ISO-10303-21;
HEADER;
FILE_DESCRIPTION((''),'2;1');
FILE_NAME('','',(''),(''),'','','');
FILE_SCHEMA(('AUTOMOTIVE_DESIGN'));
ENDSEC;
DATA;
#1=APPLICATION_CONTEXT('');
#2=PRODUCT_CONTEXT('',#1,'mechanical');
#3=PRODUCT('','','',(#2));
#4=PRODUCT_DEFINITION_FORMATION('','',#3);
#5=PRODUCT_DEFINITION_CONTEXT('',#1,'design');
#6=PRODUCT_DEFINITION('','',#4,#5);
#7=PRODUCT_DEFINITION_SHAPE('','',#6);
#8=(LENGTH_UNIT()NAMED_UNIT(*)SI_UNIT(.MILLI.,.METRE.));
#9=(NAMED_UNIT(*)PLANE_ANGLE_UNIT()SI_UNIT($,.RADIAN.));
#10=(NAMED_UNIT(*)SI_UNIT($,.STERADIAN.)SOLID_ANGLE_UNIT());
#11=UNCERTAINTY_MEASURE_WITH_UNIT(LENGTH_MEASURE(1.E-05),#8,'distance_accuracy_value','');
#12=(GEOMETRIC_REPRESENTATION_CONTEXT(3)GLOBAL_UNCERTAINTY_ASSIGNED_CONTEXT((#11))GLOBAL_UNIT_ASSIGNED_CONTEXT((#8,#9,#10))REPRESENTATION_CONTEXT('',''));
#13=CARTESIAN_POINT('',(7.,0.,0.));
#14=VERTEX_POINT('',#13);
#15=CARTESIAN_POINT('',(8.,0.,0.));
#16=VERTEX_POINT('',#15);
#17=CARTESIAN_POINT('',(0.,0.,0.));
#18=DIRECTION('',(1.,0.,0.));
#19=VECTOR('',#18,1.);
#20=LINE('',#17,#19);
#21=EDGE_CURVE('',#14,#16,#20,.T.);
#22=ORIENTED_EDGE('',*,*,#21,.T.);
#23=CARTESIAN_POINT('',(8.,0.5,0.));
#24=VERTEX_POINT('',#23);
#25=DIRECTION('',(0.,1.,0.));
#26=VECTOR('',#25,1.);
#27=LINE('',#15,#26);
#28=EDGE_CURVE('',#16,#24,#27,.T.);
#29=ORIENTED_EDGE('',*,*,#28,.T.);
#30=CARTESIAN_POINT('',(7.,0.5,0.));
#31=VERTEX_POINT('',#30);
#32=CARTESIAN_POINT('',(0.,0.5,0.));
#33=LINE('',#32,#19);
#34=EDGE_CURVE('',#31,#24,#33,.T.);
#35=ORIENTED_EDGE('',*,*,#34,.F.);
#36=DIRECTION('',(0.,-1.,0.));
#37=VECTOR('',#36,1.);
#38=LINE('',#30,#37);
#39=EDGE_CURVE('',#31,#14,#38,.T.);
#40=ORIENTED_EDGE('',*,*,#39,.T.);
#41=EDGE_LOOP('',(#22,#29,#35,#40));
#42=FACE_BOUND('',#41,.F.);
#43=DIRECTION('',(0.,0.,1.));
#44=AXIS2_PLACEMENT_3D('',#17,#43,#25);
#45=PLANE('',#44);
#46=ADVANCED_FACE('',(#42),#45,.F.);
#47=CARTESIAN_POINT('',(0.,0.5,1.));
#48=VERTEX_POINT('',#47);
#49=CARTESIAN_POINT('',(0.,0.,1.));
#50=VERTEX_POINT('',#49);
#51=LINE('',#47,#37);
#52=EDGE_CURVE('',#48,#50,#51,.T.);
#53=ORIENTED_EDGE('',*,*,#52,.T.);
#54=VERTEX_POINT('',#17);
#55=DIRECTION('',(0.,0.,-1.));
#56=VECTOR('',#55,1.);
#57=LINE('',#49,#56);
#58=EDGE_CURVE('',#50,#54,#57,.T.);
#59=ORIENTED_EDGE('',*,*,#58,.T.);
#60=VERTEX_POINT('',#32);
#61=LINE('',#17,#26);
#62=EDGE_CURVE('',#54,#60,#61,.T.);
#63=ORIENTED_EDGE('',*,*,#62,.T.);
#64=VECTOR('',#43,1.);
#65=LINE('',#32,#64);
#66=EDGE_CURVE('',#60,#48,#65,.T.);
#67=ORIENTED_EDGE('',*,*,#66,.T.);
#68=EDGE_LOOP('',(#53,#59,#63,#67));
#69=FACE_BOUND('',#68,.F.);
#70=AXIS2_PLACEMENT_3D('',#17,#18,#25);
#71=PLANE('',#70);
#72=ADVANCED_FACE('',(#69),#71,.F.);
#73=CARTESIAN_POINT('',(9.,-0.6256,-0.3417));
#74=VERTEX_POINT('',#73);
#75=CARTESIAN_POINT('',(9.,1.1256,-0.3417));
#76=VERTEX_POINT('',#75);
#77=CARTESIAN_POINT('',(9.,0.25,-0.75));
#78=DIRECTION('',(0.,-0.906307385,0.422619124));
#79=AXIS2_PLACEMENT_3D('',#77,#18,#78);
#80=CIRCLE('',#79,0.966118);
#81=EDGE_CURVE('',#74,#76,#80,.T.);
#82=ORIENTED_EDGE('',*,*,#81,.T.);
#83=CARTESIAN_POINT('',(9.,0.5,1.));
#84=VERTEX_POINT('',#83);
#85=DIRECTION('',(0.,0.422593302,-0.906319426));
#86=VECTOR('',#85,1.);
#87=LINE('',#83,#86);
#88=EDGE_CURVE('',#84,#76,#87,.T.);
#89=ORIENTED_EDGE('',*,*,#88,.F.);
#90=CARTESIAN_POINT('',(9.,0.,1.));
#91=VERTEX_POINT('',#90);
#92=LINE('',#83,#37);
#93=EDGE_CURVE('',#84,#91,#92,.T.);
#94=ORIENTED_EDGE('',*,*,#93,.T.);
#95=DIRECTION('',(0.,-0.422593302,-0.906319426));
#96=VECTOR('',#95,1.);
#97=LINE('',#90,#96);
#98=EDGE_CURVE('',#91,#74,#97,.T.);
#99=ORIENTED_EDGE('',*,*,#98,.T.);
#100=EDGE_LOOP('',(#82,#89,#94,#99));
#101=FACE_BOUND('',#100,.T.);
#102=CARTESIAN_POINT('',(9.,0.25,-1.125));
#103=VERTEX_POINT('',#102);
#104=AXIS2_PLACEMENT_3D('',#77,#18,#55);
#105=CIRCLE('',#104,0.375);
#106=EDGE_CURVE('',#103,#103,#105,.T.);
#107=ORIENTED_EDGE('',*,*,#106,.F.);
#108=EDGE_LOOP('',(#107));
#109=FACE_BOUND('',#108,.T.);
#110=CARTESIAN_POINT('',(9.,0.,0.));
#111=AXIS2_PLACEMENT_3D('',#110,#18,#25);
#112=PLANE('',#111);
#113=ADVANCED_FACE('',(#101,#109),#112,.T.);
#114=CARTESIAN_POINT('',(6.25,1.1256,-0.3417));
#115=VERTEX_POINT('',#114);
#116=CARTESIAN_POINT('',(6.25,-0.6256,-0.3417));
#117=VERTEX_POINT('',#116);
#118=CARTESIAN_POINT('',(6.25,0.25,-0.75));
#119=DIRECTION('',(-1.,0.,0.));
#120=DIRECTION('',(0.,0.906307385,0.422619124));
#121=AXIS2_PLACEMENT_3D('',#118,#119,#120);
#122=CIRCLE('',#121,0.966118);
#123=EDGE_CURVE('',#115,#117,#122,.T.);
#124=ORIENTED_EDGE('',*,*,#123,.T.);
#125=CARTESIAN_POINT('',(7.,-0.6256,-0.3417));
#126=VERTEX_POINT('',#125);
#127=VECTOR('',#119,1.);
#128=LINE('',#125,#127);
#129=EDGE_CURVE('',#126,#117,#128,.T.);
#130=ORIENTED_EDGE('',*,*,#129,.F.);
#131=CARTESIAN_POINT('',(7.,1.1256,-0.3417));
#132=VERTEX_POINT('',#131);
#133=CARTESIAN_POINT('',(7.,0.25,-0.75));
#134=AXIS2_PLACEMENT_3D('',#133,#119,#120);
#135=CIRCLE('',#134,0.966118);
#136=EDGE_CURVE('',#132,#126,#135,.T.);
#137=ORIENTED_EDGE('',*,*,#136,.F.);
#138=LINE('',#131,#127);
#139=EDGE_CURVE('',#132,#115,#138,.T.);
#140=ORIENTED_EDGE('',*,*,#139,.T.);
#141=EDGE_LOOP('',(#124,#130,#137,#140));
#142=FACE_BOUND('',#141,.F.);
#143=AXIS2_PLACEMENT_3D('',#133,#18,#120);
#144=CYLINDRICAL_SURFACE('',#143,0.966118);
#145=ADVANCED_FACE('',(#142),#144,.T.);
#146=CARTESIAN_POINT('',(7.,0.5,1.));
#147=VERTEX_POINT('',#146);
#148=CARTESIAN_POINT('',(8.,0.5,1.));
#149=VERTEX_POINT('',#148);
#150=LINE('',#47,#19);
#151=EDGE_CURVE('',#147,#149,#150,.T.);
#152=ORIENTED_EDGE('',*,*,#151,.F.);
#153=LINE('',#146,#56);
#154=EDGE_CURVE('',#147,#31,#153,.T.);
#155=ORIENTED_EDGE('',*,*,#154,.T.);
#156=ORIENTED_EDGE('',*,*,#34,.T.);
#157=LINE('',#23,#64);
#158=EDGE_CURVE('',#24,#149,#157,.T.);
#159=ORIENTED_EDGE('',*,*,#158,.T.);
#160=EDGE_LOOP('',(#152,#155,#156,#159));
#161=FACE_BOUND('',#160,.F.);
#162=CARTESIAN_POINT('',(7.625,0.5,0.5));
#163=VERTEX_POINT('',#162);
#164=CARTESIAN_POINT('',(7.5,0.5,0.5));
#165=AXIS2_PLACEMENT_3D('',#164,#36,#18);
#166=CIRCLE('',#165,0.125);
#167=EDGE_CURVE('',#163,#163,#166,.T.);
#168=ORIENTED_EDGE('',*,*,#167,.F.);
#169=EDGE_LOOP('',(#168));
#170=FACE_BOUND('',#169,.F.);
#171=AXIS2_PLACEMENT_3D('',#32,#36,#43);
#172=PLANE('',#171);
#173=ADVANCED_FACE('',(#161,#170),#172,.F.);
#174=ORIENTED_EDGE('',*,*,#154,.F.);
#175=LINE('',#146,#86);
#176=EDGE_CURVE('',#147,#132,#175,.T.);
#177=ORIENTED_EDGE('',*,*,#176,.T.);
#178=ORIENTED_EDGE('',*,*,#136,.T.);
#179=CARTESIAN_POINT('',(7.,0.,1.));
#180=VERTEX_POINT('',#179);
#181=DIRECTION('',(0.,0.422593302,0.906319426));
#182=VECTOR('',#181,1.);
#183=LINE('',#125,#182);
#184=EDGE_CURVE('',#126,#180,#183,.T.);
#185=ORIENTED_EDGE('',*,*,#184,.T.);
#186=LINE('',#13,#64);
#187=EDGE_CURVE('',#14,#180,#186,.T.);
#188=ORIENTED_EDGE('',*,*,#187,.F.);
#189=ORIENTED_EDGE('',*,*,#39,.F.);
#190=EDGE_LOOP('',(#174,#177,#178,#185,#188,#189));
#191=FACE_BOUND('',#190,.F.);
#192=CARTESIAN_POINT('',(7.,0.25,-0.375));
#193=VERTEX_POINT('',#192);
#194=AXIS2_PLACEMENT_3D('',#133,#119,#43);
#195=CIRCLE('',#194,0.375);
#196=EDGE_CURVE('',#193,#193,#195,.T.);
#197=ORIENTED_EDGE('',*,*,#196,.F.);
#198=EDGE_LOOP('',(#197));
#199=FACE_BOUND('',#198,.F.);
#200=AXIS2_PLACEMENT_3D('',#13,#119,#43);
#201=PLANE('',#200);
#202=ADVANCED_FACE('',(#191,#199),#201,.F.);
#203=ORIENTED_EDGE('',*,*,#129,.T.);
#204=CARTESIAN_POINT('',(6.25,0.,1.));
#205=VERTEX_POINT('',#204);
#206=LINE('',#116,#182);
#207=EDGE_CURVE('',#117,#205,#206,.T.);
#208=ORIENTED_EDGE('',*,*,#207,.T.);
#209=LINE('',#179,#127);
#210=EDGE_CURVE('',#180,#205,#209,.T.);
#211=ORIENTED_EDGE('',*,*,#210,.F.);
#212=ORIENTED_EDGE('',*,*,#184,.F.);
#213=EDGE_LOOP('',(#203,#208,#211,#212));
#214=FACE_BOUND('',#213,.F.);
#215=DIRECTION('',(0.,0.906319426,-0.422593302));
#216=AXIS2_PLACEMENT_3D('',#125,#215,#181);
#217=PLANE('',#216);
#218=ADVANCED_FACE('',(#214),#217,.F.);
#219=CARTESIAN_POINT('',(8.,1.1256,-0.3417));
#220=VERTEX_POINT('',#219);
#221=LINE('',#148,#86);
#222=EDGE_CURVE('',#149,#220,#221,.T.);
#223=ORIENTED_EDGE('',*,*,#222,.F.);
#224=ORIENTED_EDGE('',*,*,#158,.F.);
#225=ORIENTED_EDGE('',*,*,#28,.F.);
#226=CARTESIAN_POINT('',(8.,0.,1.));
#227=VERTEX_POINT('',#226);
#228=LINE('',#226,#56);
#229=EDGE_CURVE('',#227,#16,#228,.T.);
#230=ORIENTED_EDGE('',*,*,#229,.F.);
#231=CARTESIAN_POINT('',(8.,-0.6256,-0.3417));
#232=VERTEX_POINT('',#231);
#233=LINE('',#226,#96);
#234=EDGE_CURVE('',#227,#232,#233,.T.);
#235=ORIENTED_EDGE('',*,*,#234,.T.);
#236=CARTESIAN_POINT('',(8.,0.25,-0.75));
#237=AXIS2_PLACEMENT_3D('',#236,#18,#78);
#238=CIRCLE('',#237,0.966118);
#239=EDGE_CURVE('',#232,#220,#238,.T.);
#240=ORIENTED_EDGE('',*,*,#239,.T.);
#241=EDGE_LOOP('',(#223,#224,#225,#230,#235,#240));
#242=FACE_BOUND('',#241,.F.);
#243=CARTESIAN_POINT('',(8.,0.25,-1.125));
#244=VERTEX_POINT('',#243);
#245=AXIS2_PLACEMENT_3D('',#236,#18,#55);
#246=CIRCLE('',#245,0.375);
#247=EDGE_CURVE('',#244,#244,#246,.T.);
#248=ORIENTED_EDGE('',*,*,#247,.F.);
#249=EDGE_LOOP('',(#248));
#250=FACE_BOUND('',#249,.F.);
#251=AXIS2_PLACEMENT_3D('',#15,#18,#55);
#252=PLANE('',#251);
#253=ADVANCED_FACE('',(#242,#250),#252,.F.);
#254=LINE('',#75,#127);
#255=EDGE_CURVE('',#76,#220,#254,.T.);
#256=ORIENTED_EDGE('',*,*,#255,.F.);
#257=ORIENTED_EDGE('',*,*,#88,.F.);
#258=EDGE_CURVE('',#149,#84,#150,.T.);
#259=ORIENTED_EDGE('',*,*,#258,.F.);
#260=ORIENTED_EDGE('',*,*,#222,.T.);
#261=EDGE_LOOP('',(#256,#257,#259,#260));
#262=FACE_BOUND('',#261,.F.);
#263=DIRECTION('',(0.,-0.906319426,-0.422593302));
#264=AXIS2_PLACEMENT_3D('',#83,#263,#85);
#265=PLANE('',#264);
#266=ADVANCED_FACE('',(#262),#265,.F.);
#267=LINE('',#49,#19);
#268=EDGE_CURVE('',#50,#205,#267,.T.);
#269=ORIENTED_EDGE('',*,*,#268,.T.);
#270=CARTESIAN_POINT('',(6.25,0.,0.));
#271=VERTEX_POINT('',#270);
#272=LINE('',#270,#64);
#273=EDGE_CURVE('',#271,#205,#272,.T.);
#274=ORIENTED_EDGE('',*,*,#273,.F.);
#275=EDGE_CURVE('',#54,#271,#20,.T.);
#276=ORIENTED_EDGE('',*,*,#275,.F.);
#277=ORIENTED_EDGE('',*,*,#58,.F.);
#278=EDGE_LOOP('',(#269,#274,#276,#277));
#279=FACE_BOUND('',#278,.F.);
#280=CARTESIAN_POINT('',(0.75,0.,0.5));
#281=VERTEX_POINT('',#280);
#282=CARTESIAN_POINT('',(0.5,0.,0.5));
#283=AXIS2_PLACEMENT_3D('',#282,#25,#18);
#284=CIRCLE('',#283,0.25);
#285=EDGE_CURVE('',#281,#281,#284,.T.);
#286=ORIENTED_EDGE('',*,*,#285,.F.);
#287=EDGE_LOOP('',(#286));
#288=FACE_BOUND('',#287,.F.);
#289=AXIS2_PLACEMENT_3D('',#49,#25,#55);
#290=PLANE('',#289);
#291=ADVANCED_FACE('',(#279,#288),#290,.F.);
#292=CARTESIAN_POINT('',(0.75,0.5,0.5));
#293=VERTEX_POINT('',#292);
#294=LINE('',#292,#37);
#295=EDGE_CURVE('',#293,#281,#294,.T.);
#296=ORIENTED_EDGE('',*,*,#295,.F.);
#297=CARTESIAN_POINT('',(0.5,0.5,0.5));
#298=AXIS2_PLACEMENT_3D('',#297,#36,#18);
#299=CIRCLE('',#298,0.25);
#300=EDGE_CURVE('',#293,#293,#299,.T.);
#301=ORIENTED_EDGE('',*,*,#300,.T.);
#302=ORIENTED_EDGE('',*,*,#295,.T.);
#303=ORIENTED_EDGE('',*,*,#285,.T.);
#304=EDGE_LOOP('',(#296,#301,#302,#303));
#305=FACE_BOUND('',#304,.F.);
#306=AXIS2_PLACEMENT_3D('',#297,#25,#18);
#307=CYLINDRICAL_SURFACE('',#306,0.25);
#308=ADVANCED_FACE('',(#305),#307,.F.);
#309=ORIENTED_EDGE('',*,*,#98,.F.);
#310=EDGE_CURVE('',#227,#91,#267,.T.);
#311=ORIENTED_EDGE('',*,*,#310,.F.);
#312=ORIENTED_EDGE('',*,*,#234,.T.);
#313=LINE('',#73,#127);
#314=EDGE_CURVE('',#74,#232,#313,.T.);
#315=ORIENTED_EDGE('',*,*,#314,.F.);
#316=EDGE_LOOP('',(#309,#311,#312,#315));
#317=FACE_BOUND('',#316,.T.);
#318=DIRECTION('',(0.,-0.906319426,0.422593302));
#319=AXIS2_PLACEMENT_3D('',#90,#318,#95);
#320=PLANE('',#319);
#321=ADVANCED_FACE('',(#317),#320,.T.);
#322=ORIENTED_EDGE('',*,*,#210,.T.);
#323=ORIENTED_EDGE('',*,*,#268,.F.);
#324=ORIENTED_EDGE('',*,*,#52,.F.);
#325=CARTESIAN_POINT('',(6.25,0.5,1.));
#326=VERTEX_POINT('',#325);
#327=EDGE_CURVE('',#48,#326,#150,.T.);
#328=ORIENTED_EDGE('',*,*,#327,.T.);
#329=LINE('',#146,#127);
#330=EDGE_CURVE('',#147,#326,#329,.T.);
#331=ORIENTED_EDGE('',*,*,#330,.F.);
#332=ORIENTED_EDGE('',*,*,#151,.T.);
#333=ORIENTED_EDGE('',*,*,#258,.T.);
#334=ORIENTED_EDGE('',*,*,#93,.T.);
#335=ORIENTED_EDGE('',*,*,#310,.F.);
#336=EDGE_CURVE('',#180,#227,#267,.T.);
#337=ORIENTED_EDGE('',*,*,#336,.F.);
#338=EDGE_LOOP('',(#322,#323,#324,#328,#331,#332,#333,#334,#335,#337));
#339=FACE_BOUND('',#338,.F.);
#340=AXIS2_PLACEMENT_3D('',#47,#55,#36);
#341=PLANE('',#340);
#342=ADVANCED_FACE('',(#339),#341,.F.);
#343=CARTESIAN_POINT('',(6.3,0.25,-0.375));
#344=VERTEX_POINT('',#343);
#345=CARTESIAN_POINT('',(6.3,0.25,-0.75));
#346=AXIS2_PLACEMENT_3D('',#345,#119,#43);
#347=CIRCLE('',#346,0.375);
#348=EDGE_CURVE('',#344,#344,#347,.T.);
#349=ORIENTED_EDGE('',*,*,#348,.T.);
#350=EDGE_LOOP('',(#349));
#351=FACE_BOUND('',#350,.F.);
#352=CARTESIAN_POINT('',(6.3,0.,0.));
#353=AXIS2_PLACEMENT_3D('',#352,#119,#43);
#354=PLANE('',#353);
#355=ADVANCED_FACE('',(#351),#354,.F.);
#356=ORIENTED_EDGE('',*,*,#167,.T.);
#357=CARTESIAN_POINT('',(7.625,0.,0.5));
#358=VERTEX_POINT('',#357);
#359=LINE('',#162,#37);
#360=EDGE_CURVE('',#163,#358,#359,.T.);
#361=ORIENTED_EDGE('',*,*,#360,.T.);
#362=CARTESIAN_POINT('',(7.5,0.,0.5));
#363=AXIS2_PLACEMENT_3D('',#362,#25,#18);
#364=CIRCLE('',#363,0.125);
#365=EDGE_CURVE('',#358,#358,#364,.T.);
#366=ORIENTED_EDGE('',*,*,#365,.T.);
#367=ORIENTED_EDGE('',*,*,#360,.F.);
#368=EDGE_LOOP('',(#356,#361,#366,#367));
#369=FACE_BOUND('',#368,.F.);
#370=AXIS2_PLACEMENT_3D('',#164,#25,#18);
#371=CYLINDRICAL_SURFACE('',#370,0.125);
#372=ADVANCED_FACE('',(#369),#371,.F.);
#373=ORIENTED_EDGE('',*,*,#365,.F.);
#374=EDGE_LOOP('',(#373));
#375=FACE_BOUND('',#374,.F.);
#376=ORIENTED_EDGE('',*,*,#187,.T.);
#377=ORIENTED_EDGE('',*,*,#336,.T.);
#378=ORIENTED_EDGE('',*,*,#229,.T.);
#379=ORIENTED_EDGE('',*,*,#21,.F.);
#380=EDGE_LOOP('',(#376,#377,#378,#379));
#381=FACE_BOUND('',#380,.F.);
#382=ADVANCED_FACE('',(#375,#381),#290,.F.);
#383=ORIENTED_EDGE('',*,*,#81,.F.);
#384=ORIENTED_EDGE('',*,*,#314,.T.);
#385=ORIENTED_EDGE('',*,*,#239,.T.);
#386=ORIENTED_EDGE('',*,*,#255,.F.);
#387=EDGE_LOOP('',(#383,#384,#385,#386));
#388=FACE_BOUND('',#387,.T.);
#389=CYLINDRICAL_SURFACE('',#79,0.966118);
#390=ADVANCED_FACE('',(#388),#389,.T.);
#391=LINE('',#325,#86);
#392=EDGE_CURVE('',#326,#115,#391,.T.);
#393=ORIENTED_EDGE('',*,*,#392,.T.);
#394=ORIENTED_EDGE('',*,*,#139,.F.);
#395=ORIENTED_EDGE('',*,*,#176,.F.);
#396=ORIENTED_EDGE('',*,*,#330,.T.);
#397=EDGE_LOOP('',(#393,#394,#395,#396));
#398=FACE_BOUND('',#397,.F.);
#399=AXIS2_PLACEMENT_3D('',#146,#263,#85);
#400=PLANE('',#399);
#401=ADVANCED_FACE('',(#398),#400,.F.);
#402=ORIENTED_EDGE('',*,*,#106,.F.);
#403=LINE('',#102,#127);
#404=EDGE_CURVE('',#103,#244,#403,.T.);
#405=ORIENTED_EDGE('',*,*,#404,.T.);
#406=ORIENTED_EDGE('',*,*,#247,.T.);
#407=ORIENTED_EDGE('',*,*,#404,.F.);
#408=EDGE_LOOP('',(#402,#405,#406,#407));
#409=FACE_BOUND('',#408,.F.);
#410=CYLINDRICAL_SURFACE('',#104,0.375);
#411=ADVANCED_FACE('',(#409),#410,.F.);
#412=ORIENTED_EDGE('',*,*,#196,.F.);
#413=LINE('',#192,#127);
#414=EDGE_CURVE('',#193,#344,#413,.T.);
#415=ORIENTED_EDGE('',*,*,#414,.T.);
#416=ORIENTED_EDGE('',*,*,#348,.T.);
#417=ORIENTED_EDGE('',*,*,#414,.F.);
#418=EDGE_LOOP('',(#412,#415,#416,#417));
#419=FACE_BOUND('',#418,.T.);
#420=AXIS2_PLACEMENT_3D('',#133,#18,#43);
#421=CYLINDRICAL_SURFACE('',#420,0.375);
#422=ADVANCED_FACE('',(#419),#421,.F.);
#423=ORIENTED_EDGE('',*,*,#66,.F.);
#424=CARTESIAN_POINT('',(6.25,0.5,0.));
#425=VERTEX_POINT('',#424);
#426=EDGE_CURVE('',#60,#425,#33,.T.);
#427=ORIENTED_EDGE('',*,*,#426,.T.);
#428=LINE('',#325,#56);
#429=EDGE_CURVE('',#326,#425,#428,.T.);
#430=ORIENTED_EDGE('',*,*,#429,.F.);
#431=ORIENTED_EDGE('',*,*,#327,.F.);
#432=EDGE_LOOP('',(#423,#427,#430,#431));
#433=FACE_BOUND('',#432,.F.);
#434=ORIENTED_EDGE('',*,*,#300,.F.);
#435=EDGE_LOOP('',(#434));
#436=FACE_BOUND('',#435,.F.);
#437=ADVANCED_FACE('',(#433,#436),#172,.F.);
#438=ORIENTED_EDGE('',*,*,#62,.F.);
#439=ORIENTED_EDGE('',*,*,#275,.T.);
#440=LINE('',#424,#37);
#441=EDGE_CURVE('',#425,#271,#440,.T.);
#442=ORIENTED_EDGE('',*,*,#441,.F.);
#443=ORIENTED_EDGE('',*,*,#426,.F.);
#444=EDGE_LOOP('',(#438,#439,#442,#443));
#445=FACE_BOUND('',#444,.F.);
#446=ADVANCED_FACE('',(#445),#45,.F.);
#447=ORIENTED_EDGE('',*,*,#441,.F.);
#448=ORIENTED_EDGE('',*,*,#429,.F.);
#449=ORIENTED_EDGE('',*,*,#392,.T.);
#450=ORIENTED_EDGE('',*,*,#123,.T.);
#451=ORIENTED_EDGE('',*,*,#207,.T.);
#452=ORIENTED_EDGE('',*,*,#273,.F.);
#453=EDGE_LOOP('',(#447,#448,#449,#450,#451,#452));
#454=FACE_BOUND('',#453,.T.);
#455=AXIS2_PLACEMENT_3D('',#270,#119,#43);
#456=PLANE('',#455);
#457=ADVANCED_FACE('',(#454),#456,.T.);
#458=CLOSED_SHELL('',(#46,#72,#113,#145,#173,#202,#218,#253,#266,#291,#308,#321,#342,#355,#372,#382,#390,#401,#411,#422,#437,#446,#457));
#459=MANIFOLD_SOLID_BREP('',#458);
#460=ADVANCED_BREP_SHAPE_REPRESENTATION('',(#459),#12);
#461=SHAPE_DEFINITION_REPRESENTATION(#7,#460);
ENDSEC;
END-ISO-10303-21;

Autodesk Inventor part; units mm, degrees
ref_plane "YZ Plane" through (0, 0, 0) normal (1, 0, 0) x (0, 1, 0)
ref_plane "XZ Plane" through (0, 0, 0) normal (0, 1, 0) x (-1, 0, 0)
sketch "Sketch1" plane through (0, 0, 0) normal (0, 1, 0) x (-1, 0, 0)
  point P0 (0, 0)
sketch "Sketch2" plane through (0, 0, 0) normal (1, 0, 0) x (0, 1, 0)
  point P0 (0, 0)
sketch "Sketch3" plane through (0, 0, 0) normal (1, 0, 0) x (0, 1, 0)
  line L0 (0, 0) -> (0.5, 0)
  line L1 (0.5, 0) -> (0.5, 1)
  line L2 (0.5, 1) -> (0, 1)
  line L3 (0, 1) -> (0, 0)
  dimension "d0" = 0.5
  dimension "d1" = 1
extrude "Extrusion1" add sketch "Sketch3" along normal blind 9
sketch "Sketch4" plane through (9, 0, 0) normal (1, 0, 0) x (0, 0, -1)
  line L0 (0, 0) -> (0, 0.5) projected
  circle A0 centre (0.75, 0.25) radius 0.375
  line L1 (0, 0.5) -> (-1, 0.5) projected
  line L2 (-1, 0.5) -> (-1, 0) construction
  line L3 (-1, 0.25) -> (1.9779, 0.25) construction
  line L4 (0, 0) -> (0, 0.5) projected
  line L5 (0, 0.5) -> (-1, 0.5) projected
  line L6 (-1, 0.5) -> (-1, 0) projected
  line L7 (-1, 0) -> (0, 0) projected
  line L8 (-1, 0) -> (0, 0) projected
  line L9 (-1, 0.5) -> (0.3417, 1.1256)
  line L10 (-1, 0) -> (0.3417, -0.6256)
  arc A1 (0.3417, -0.6256) -> (0.3417, 1.1256) centre (0.75, 0.25) ccw
  point P0 (-0.5, 0)
  dimension "d9" = 0.75
  dimension "d12" = 1.25
  dimension "d13" = 0
  dimension "d14" = 25
extrude "Extrusion2" add sketch "Sketch4" against normal blind 1 contours L0 L1 L9 A1 L10 L7
ref_plane "Work Plane1" through (7, 0, 0) normal (-1, 0, 0) x (0, 0, 1)
sketch "Sketch5" plane through (7, 0, 0) normal (-1, 0, 0) x (0, 0, 1)
  line L0 (-0.3417, -0.6256) -> (1, 0) projected
  line L1 (0, 0) -> (1, 0) projected
  line L2 (0, 0.5) -> (0, 0) projected
  line L3 (1, 0.5) -> (0, 0.5) projected
  line L4 (1, 0.5) -> (-0.3417, 1.1256) projected
  arc A0 (-0.3417, 1.1256) -> (-0.3417, -0.6256) centre (-0.75, 0.25) ccw projected
  circle A1 centre (-0.75, 0.25) radius 0.375 projected
extrude "Extrusion3" add sketch "Sketch5" along normal blind 0.75
sketch "Sketch6" plane through (6.25, 0, 0) normal (-1, 0, 0) x (0, 0, 1)
  circle A0 centre (-0.75, 0.25) radius 0.375 projected
  point P0 (0, 0)
extrude "Extrusion4" add sketch "Sketch6" against normal blind 0.05
sketch "Sketch7" plane through (0, 0.5, 1) normal (0, 1, 0) x (1, 0, 0)
  line L0 (8, 2.6833) -> (9, 2.6833) projected
  line L1 (9, 2.6833) -> (9, 2.0295) projected
  line L2 (9, 2.0295) -> (8, 2.0295) projected
  line L3 (8, 2.0295) -> (8, 2.6833) projected
  line L4 (9, 0) -> (8, 0) projected
  line L5 (8, 0) -> (8, 1) projected
  line L6 (8, 1) -> (8, 1.4705) projected
  line L7 (8, 1.4705) -> (9, 1.4705) projected
  line L8 (9, 1.4705) -> (9, 0) projected
  line L9 (8, 0) -> (7, 0) projected
  line L10 (7, 1) -> (7, 0) projected
  line L11 (7, 1.4705) -> (7, 1) projected
  line L12 (6.3, 1.4705) -> (7, 1.4705) projected
  line L13 (6.3, 2.0295) -> (6.3, 1.4705) projected
  line L14 (7, 2.0295) -> (6.3, 2.0295) projected
  line L15 (7, 2.6833) -> (7, 2.0295) projected
  line L16 (6.25, 2.6833) -> (7, 2.6833) projected
  line L17 (6.25, 1) -> (6.25, 2.6833) projected
  line L18 (0, 1) -> (6.25, 1) projected
  line L19 (0, 0) -> (0, 1) projected
  line L20 (6.25, 0) -> (0, 0) projected
  line L21 (7, 0) -> (6.25, 0) projected
  line L22 (7, 1) -> (8, 1) projected
  line L23 (6.25, 0) -> (6.25, 1) projected
  circle A0 centre (7.5, 0.5) radius 0.5
  line L24 (7, 0) -> (8, 0) projected
  line L25 (7, 0) -> (7, 1.3417) projected
  line L26 (7, 1) -> (8, 1) projected
  line L27 (8, 0) -> (8, 1.3417) projected
  circle A1 centre (7.5, 0.5) radius 0.125
  line L28 (7, 0) -> (7.4116, 0.4116)
  line L29 (7.5884, 0.5884) -> (8, 1)
  line L30 (7, 1) -> (7.4116, 0.5884)
  line L31 (7.5884, 0.4116) -> (8, 0)
  dimension "d22" = 0.25
extrude "Extrusion5" cut sketch "Sketch7" against normal through all contours A1
sketch "Sketch8" plane through (0, 0.5, 1) normal (0, 1, 0) x (1, 0, 0)
  line L0 (0, 1) -> (6.25, 1) projected
  line L1 (0, 0) -> (1, 0)
  line L2 (1, 0) -> (1, 1)
  line L3 (1, 1) -> (0, 1)
  line L4 (0, 1) -> (0, 0)
  line L5 (0, 1) -> (0, 0) projected
  circle A0 centre (0.5, 0.5) radius 0.25
  line L6 (0, 0) -> (0.3232, 0.3232)
  line L7 (0.6768, 0.6768) -> (1, 1)
  line L8 (0, 1) -> (0.3232, 0.6768)
  line L9 (0.6768, 0.3232) -> (1, 0)
  dimension "d25" = 1
  dimension "d26" = 0.5
extrude "Extrusion6" cut sketch "Sketch8" against normal through all contours A0
properties part number "rocker"
